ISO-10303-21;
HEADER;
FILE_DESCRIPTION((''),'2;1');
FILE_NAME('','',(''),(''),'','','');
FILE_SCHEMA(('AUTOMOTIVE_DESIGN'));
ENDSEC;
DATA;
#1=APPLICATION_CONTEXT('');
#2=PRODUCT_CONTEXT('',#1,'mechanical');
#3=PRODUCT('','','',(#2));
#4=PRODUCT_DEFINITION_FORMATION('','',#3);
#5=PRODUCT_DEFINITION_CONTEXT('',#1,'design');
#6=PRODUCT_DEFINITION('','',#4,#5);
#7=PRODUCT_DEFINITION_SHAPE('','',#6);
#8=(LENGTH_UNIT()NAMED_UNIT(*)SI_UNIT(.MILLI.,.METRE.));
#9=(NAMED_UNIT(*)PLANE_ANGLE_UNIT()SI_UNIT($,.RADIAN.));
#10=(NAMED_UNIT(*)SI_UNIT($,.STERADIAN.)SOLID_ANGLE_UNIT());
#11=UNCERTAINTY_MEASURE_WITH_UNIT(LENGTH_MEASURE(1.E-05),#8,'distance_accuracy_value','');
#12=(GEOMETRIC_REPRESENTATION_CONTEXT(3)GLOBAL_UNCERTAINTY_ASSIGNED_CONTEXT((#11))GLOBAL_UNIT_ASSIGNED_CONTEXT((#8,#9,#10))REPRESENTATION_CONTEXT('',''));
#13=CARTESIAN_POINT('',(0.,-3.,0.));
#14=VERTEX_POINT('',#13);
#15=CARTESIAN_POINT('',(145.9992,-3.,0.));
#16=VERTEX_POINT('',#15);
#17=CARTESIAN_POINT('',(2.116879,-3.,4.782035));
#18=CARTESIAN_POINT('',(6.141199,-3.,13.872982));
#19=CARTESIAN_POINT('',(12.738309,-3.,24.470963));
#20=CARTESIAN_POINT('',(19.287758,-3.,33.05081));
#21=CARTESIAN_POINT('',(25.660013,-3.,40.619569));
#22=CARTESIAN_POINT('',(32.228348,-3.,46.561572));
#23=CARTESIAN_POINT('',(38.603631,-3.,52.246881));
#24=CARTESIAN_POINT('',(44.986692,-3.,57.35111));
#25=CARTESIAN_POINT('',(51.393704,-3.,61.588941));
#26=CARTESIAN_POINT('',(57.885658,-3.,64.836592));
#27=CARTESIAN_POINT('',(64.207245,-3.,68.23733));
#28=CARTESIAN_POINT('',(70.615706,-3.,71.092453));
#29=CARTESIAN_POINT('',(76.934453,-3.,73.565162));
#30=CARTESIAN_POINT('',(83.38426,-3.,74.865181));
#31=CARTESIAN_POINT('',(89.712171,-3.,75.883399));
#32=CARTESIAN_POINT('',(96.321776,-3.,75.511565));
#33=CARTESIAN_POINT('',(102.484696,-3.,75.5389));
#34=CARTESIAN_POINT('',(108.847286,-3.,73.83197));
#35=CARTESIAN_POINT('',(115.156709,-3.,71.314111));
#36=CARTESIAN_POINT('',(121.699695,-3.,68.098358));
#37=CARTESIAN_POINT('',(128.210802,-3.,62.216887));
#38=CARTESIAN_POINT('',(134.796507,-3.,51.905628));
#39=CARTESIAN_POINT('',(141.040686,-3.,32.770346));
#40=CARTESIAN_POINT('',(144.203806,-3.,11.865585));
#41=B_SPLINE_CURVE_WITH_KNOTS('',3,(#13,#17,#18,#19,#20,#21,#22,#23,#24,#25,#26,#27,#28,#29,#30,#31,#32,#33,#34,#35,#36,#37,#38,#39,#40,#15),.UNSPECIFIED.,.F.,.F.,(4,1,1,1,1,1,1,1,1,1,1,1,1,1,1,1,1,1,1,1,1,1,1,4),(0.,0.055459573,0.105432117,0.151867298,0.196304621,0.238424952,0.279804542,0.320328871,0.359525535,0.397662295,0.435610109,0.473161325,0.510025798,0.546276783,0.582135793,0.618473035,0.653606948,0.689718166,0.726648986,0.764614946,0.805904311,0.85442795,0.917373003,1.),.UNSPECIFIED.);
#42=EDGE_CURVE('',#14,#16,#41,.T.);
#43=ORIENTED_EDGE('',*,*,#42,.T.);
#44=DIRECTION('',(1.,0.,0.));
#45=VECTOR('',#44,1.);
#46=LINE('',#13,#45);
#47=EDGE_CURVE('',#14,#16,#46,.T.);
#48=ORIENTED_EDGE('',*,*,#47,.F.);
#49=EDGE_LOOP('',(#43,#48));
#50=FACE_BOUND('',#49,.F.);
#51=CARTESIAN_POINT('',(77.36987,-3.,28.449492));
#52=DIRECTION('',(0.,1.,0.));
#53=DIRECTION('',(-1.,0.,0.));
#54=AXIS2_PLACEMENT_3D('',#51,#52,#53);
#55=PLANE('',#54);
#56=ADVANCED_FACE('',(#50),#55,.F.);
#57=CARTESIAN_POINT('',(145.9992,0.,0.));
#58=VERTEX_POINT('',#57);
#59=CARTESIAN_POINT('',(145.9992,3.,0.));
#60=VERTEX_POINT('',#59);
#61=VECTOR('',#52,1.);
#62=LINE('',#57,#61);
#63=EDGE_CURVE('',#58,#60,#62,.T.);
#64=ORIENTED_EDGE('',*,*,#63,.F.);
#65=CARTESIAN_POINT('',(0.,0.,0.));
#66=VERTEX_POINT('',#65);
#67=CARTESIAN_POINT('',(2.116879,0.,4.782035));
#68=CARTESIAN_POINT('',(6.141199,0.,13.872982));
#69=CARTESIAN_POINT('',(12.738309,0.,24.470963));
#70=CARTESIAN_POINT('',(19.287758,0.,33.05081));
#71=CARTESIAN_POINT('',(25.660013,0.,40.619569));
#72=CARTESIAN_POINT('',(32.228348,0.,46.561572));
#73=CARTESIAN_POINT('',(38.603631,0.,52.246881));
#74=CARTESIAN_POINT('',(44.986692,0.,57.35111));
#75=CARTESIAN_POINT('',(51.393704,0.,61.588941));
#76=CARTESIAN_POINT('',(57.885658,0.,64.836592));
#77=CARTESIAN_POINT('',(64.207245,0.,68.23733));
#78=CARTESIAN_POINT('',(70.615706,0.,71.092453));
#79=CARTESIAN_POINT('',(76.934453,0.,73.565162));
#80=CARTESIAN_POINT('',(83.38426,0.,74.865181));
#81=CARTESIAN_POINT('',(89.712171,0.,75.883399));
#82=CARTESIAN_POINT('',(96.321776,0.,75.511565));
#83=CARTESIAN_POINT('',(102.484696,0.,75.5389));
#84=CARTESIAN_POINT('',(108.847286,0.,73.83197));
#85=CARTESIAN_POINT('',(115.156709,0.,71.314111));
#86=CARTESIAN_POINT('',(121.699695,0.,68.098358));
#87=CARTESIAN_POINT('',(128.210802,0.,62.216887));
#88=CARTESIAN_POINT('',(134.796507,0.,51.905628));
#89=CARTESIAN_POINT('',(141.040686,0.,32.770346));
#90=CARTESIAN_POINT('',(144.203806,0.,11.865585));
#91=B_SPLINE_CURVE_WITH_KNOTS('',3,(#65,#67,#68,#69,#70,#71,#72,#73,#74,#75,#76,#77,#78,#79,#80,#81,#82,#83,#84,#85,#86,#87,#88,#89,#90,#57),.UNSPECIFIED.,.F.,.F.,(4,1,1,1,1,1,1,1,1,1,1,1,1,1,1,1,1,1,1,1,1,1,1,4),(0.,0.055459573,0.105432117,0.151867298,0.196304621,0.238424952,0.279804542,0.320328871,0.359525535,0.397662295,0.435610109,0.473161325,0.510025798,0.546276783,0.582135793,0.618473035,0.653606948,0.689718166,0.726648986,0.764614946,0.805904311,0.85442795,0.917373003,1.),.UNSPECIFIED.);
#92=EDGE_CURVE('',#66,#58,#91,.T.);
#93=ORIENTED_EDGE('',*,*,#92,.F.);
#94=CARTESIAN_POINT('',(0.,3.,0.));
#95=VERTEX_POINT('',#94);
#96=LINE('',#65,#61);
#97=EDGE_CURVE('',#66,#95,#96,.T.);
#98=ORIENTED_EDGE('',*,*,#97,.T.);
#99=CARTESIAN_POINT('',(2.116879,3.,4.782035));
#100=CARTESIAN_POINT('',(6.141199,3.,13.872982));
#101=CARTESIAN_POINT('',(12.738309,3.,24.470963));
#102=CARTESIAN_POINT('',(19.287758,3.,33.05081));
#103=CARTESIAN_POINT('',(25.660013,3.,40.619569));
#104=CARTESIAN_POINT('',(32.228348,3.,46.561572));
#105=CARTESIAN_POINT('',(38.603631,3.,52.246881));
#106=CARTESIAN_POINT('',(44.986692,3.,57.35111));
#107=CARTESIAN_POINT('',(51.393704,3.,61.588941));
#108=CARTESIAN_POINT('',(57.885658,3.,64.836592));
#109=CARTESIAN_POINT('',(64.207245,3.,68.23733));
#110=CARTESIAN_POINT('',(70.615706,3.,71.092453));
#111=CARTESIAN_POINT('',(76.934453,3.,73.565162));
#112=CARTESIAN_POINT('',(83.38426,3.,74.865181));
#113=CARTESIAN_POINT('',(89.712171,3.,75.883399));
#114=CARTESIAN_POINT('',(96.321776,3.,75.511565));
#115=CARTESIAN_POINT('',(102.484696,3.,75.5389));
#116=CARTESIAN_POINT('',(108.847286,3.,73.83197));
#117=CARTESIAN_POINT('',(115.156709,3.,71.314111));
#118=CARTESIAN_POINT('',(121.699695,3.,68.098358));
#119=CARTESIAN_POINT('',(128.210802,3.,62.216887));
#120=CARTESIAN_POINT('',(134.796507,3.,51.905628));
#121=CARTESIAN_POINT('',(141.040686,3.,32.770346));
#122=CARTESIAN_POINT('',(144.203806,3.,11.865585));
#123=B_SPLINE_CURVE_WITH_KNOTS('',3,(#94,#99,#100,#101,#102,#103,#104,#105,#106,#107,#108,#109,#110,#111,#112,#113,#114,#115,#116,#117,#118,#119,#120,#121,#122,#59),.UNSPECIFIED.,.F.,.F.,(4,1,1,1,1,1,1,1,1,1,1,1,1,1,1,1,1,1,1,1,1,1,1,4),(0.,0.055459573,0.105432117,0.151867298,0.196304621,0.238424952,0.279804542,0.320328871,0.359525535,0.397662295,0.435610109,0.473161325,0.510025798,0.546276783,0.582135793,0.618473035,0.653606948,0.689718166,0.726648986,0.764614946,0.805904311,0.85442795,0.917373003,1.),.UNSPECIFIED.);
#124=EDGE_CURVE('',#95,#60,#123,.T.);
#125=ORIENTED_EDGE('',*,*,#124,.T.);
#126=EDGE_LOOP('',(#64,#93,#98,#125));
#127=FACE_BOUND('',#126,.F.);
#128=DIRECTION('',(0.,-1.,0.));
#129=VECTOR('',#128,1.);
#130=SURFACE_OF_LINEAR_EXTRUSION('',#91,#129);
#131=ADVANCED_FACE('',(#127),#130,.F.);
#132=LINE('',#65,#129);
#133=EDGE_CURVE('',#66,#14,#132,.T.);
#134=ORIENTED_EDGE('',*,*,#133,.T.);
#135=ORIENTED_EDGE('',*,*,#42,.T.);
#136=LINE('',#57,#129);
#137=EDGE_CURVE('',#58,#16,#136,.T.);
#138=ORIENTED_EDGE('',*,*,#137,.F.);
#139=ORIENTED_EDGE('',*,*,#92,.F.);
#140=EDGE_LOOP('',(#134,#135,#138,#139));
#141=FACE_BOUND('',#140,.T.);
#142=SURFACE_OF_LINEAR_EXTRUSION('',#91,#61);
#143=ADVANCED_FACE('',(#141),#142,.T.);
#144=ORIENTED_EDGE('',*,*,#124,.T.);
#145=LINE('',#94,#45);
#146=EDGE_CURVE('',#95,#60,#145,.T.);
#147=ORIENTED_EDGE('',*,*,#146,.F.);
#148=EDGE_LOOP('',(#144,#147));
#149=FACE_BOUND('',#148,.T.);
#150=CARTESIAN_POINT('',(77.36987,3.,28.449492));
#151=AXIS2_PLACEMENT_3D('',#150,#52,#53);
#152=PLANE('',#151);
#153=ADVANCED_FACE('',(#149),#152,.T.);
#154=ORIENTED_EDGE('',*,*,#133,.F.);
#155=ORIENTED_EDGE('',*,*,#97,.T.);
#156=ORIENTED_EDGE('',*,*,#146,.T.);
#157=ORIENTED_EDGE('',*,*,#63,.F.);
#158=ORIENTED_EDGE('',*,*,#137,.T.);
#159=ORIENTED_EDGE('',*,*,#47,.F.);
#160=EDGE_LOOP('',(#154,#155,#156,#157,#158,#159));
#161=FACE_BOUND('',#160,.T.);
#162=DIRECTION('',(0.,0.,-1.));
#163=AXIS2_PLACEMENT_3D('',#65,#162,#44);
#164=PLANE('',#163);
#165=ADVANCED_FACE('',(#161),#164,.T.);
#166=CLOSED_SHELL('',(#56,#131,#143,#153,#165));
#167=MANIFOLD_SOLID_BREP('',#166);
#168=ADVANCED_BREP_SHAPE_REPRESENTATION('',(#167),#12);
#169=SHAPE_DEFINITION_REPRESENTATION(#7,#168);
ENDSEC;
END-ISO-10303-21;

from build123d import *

# Parameters (mm, degrees)
F1_DEPTH = 3


with BuildPart() as f1:
    # F0 (on Front) → F1 (new body, symmetric)
    with BuildSketch(Plane.XZ):
        with BuildLine():
            add(Edge.make_bspline(
                [(0, 0), (2.1168791871, 4.782034869), (6.1411989287, 13.8729822625), (12.7383088601, 24.4709632939), (19.287757748, 33.0508100562), (25.6600134473, 40.6195687295), (32.2283476482, 46.561571677), (38.6036313273, 52.246880616), (44.986692323, 57.3511103714), (51.393703789, 61.5889406312), (57.8856579841, 64.8365924313), (64.2072449213, 68.2373303987), (70.6157062233, 71.092452752), (76.9344530267, 73.5651620211), (83.3842595494, 74.8651809709), (89.7121708704, 75.8833993338), (96.3217761382, 75.5115652416), (102.484696476, 75.5389001136), (108.8472857523, 73.8319698698), (115.1567094139, 71.314111466), (121.6996952813, 68.0983581935), (128.2108020537, 62.2168869936), (134.7965074401, 51.9056284523), (141.0406863568, 32.7703457465), (144.2038064677, 11.8655853419), (145.9992, 0)],
                knots=[0, 0, 0, 0, 0.0554595728, 0.1054321169, 0.1518672978, 0.196304621, 0.2384249524, 0.2798045424, 0.3203288713, 0.3595255347, 0.3976622947, 0.4356101091, 0.4731613249, 0.5100257984, 0.5462767827, 0.5821357927, 0.6184730349, 0.6536069479, 0.6897181664, 0.7266489859, 0.7646149462, 0.8059043108, 0.8544279498, 0.9173730026, 1, 1, 1, 1], degree=3))
            Line((0, 0), (145.9992, 0))
        make_face()
    extrude(amount=F1_DEPTH, both=True)


solid = f1.part
